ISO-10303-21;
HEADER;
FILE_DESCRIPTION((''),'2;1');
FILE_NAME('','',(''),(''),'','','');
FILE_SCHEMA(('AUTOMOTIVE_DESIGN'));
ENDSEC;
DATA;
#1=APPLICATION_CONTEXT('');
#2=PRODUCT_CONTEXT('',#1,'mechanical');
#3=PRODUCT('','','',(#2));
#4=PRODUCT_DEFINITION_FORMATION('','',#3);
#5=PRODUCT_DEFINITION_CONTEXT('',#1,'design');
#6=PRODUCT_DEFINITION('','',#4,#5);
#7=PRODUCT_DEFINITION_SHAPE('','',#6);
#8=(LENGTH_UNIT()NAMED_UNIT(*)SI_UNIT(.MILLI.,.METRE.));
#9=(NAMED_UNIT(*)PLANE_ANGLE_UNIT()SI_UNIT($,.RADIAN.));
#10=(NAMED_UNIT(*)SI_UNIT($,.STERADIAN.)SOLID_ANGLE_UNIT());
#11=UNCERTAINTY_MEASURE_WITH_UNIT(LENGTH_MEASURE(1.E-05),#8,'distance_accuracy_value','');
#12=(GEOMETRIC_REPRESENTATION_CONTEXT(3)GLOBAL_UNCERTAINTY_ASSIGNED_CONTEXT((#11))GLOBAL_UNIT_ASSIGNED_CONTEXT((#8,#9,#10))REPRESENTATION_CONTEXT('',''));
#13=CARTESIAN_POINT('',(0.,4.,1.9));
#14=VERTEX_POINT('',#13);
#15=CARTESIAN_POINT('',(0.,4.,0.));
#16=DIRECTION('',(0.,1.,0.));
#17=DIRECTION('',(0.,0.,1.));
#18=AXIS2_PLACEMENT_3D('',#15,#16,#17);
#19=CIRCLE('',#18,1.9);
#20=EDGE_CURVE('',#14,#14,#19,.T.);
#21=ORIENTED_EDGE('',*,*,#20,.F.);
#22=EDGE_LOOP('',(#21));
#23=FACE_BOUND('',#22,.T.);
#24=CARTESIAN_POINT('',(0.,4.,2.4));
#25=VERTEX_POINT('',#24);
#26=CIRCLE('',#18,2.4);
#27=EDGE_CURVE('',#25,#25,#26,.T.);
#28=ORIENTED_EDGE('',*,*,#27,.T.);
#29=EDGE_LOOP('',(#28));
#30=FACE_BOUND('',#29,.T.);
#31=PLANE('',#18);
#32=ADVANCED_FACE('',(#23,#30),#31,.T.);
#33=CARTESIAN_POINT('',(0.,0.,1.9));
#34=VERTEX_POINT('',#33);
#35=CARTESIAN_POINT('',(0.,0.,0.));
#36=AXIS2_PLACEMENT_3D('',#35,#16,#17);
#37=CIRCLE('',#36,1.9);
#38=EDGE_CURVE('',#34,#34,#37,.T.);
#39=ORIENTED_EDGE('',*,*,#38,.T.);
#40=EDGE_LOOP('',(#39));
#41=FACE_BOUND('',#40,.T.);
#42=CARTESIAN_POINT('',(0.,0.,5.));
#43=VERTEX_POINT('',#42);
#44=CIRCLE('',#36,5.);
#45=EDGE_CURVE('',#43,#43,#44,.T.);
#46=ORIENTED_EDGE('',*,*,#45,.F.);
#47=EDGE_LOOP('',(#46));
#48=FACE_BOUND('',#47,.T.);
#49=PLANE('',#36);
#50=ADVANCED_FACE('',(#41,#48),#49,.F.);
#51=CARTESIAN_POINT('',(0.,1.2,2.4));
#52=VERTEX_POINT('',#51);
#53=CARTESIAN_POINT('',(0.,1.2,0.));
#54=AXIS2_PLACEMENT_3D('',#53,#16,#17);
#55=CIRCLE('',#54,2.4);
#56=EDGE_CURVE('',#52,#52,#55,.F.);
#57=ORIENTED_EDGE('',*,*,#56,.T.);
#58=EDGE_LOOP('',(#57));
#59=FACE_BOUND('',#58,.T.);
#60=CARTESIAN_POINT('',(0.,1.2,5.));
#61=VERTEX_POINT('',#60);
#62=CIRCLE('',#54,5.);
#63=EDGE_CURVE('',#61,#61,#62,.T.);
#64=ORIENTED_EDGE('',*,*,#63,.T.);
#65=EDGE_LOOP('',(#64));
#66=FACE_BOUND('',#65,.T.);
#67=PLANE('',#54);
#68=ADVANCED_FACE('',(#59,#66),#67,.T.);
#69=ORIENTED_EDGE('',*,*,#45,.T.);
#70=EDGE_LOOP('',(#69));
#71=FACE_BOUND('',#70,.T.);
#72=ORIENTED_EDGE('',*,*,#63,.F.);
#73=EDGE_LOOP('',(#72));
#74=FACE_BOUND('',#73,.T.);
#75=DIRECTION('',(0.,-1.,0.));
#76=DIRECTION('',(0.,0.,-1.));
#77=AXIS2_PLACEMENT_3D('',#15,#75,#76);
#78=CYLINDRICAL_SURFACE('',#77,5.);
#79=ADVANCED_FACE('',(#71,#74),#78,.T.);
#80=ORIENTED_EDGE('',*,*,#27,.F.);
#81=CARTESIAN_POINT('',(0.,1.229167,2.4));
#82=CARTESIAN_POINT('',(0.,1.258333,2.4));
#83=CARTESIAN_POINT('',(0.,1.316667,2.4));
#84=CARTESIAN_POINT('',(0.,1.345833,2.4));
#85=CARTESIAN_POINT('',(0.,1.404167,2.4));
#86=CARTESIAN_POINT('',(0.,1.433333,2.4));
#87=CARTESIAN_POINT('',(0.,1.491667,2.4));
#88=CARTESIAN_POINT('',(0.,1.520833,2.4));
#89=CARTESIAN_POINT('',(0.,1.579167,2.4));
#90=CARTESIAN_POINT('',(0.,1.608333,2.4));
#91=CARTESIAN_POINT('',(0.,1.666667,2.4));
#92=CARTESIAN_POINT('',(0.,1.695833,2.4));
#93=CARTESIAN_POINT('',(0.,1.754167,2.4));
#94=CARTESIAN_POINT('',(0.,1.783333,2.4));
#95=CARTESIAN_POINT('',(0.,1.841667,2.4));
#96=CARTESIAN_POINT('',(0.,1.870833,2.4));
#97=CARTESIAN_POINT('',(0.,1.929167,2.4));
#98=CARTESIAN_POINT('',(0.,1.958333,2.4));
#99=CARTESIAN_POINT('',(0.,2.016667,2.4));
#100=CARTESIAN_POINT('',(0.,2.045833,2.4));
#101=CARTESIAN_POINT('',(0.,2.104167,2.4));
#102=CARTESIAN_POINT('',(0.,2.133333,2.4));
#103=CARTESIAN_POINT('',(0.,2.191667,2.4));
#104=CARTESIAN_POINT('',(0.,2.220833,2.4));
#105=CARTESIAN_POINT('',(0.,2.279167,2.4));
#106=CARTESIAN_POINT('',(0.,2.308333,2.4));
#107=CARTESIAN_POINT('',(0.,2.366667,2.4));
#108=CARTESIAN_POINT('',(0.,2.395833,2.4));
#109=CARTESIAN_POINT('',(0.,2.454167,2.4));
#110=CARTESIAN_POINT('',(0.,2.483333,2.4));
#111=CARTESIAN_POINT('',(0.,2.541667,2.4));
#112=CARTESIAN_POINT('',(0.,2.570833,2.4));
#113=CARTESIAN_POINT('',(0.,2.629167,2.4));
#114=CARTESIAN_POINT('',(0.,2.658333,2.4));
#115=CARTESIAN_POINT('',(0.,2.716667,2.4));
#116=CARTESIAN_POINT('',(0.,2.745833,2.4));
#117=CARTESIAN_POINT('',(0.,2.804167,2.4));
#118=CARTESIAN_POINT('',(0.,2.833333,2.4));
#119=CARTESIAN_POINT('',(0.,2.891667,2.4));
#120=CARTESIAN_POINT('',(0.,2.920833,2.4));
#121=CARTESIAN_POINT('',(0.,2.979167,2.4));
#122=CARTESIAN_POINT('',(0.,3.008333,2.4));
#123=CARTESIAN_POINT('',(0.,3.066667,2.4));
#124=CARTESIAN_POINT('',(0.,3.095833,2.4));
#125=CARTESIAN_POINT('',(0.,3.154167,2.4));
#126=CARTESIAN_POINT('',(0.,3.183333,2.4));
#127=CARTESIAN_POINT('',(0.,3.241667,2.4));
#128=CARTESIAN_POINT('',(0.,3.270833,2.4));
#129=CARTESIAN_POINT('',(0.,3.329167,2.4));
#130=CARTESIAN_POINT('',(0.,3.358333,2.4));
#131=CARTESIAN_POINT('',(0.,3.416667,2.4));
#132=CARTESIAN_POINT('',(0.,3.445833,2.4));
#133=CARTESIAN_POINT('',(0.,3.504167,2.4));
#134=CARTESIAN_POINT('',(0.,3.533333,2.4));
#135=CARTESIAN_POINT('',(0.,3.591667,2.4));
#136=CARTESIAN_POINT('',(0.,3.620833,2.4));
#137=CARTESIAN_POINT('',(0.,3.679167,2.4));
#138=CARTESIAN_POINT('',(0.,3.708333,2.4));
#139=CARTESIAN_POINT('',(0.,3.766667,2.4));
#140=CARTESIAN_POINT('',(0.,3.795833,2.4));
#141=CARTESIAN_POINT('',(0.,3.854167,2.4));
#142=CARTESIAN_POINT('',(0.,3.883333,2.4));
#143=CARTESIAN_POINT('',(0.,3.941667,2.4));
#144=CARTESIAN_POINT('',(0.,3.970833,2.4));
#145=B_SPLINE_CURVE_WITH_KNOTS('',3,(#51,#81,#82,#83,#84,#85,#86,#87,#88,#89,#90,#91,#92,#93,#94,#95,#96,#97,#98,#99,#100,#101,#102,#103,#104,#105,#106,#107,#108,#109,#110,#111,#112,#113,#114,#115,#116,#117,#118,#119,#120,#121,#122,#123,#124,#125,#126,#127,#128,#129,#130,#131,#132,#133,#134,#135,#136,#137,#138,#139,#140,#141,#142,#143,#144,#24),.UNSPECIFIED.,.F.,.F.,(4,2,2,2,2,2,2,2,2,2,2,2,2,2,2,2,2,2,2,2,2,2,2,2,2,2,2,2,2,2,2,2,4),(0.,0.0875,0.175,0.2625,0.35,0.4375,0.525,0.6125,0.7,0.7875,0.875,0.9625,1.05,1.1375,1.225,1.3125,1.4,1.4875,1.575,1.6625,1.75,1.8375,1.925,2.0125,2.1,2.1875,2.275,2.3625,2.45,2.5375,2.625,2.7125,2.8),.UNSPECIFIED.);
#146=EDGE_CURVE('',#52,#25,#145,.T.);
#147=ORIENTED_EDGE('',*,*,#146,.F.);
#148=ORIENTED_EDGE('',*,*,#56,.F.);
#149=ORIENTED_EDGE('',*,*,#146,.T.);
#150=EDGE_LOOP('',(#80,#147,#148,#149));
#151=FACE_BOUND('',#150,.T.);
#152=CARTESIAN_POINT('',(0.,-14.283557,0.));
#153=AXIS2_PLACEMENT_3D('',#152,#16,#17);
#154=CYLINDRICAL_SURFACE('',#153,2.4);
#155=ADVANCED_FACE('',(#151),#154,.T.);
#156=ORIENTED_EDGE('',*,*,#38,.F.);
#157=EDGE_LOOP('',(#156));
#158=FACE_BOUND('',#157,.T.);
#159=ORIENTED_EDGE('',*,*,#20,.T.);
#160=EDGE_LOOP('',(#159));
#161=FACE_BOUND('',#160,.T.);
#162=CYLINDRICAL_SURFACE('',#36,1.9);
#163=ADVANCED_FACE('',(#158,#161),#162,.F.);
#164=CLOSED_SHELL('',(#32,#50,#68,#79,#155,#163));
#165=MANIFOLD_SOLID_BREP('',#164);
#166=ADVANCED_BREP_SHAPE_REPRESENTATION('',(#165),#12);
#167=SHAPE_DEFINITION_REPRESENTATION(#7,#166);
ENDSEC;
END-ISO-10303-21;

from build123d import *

# Parameters (mm, degrees)
SKETCH_1_R          = 5
EXTRUDE_1_DEPTH     = 4
SKETCH_2_R          = 1.9
CUT_EXTRUDE_1_DEPTH = 9.124038405
SKETCH_3_OUTSIDE_W  = 14.94
SKETCH_3_OUTSIDE_H  = 14.94
SKETCH_3_OUTSIDE_R  = 2.4
CUT_EXTRUDE_2_DEPTH = 2.8


with BuildPart() as part:
    # 草图1 → 拉伸1 (new body)
    with BuildSketch(Plane(origin=(0, 0, 0), x_dir=(1, 0, 0), z_dir=(0, 1, 0))):
        with Locations(Location((0, 0, 0), (0, 0, 270))):
            Circle(SKETCH_1_R)
    extrude(amount=EXTRUDE_1_DEPTH)

    # 草图2 → 切除-拉伸1 (cut, through all)
    with BuildSketch(Plane(origin=(0, 4, 0), x_dir=(-1, 0, 0), z_dir=(0, 1, 0))):
        with Locations(Location((0, 0, 0), (0, 0, 90))):
            Circle(SKETCH_2_R)
    extrude(amount=-CUT_EXTRUDE_1_DEPTH, mode=Mode.SUBTRACT)

    # 草图3 outside → 切除-拉伸2 (cut)
    with BuildSketch(Plane(origin=(0, 4, 0), x_dir=(1, 0, 0), z_dir=(0, 1, 0))):
        Rectangle(SKETCH_3_OUTSIDE_W, SKETCH_3_OUTSIDE_H)
        with Locations(Location((0, 0, 0), (0, 0, 270))):
            Circle(SKETCH_3_OUTSIDE_R, mode=Mode.SUBTRACT)
    extrude(amount=-CUT_EXTRUDE_2_DEPTH, mode=Mode.SUBTRACT)


solid = part.part
